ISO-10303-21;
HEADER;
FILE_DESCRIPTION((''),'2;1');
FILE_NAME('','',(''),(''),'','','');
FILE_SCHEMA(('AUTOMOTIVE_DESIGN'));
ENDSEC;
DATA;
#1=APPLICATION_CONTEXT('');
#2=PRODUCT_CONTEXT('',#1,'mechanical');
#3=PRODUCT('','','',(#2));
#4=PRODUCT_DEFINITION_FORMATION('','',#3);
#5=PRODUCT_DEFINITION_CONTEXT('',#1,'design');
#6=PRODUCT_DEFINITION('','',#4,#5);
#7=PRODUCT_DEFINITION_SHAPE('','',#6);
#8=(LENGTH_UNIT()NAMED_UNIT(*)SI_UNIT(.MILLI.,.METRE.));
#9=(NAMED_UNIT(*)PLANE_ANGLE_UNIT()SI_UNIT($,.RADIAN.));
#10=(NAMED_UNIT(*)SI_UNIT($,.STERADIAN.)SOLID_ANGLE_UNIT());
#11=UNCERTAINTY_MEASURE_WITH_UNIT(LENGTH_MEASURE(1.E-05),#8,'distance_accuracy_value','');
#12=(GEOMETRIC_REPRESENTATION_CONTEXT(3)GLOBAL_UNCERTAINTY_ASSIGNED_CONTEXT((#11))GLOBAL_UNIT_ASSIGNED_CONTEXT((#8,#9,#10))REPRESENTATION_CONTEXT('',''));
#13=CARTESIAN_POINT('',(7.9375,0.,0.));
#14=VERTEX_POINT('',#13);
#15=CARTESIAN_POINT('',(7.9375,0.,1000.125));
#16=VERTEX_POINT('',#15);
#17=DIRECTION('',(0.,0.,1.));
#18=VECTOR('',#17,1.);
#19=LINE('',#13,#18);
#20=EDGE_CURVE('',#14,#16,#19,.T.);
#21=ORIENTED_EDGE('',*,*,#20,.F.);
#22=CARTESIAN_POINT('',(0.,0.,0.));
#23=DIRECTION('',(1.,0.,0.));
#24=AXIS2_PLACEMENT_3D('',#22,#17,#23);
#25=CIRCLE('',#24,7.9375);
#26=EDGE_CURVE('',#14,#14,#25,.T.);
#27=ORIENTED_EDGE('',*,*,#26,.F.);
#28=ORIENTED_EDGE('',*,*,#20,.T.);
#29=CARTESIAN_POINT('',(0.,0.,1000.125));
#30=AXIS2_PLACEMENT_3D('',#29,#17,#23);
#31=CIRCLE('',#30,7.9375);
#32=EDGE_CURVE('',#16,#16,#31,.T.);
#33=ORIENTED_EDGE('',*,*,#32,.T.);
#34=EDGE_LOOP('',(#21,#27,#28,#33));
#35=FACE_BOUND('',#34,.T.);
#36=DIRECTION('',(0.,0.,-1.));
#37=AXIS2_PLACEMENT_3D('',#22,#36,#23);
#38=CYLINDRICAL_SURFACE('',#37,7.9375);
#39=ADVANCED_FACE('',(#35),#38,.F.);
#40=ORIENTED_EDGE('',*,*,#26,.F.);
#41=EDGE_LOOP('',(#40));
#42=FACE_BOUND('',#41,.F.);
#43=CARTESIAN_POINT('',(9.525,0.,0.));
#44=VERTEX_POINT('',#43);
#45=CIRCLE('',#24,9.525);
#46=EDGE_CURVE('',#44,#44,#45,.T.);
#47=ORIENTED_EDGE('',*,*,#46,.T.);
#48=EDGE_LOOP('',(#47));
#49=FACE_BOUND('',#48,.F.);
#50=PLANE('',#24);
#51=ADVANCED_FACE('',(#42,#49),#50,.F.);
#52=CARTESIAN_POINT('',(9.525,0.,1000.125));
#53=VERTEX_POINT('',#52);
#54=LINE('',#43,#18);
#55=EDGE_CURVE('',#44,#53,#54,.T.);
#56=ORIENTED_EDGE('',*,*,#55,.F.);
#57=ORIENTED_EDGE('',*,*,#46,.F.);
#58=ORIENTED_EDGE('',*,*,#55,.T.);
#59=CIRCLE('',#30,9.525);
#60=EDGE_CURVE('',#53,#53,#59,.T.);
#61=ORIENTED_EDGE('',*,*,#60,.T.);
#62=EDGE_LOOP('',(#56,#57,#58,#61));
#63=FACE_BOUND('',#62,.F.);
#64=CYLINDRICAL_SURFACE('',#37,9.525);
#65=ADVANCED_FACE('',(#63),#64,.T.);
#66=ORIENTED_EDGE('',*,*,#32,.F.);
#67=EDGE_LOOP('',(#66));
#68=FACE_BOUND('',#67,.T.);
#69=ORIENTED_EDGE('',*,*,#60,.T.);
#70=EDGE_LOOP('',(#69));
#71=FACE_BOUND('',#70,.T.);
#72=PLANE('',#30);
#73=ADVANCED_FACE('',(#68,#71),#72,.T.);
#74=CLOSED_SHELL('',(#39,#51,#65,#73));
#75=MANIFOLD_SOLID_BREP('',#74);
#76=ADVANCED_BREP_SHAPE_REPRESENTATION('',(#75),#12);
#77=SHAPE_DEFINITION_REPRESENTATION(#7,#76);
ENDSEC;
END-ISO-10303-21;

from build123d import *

# Parameters (mm, degrees)
SKETCH1_R           = 9.525
SKETCH1_R_2         = 7.9375
BOSS_EXTRUDE1_DEPTH = 1000.125


with BuildPart() as part:
    # Sketch1 → Boss-Extrude1 (new body)
    with BuildSketch(Plane.XY):
        Circle(SKETCH1_R)
        Circle(SKETCH1_R_2, mode=Mode.SUBTRACT)
    extrude(amount=BOSS_EXTRUDE1_DEPTH)


solid = part.part
